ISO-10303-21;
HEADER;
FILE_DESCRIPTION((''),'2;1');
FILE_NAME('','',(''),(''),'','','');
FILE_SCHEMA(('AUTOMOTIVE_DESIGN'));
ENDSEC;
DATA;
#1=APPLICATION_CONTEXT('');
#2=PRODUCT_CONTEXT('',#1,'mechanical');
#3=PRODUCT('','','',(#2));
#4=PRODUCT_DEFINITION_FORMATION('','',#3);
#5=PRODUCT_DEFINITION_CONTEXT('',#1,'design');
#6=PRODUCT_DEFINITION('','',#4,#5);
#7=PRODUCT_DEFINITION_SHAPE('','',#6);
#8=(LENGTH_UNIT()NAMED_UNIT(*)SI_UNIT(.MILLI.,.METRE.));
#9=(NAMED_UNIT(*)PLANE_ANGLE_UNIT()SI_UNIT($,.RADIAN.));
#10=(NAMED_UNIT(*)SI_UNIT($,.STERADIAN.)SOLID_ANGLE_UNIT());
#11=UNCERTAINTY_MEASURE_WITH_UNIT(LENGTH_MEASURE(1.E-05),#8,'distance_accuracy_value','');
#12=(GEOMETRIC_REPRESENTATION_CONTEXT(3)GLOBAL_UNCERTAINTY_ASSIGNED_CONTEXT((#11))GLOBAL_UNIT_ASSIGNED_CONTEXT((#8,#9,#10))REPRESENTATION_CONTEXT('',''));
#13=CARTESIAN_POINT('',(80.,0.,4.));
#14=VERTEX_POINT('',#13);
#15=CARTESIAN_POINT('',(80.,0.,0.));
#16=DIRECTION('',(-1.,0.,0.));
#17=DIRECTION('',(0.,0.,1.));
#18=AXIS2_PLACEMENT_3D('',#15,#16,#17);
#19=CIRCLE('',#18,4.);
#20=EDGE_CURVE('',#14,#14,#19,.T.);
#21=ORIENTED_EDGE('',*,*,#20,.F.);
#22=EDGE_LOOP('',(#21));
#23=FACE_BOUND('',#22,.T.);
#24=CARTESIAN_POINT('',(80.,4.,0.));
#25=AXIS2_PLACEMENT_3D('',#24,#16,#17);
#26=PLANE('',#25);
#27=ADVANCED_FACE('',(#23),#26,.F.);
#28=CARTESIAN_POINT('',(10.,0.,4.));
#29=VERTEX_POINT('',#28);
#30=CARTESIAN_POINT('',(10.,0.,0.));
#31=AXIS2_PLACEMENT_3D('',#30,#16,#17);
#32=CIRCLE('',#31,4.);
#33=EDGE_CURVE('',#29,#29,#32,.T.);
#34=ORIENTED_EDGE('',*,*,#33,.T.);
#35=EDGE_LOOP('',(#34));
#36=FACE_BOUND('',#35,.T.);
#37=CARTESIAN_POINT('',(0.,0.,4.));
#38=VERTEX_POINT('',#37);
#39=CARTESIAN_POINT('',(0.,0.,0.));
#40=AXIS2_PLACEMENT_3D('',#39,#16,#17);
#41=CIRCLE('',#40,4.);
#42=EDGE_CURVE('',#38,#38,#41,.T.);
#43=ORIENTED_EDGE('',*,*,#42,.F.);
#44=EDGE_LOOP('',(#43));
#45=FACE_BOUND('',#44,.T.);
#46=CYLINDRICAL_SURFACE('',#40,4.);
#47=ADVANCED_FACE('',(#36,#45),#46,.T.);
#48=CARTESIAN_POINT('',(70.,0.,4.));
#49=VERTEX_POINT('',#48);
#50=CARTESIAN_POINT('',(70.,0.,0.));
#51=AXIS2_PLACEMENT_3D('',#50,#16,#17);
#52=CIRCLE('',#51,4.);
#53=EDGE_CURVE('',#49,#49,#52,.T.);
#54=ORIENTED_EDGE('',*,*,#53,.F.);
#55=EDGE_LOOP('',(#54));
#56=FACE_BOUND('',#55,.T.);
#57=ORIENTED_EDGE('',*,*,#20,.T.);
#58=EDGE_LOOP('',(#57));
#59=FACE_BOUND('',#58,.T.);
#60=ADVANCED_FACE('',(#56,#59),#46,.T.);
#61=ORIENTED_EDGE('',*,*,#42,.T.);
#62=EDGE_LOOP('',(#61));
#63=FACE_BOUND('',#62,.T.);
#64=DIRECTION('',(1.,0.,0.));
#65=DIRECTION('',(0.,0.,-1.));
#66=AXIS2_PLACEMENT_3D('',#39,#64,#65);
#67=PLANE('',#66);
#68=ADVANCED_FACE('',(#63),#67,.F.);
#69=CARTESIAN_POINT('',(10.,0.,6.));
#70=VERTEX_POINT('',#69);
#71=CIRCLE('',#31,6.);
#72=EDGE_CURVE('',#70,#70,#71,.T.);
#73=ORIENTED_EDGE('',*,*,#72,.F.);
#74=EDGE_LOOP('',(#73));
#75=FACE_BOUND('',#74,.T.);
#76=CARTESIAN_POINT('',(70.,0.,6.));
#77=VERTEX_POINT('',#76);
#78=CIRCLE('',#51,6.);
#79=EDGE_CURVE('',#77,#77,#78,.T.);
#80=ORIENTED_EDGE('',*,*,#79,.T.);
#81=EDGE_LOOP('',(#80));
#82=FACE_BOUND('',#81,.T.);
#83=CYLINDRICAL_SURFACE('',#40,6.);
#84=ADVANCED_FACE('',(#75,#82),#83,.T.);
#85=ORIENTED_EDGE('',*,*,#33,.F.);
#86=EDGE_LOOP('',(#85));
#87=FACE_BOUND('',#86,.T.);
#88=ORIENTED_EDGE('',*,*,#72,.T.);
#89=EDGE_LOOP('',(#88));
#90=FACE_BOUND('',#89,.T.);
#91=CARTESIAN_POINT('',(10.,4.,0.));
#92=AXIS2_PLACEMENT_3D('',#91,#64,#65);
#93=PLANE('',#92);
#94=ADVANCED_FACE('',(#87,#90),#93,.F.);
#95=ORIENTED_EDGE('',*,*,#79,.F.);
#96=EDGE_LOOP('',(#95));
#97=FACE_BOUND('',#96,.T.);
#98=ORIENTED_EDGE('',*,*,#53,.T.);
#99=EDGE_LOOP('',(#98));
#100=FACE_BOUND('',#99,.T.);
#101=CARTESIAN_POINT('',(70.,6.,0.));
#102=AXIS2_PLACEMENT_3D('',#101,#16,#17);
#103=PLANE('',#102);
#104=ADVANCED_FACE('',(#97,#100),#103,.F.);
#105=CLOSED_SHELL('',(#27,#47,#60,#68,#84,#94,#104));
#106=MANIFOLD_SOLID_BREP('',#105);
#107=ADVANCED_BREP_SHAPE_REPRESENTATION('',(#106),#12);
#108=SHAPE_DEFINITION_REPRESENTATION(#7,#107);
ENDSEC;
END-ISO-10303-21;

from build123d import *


with BuildPart() as part:
    # Sketch1 → Revolve1 (revolve)
    with BuildSketch(Plane.XY, mode=Mode.PRIVATE) as revolve1_sk:
        Polygon((0, 0), (80, 0), (80, 4), (70, 4), (70, 6), (10, 6), (10, 4), (0, 4), align=None)
    revolve(revolve1_sk.sketch.rotate(Axis((0, 0, 0), (1, 0, 0)), 90), axis=Axis((0, 0, 0), (1, 0, 0)))


solid = part.part
